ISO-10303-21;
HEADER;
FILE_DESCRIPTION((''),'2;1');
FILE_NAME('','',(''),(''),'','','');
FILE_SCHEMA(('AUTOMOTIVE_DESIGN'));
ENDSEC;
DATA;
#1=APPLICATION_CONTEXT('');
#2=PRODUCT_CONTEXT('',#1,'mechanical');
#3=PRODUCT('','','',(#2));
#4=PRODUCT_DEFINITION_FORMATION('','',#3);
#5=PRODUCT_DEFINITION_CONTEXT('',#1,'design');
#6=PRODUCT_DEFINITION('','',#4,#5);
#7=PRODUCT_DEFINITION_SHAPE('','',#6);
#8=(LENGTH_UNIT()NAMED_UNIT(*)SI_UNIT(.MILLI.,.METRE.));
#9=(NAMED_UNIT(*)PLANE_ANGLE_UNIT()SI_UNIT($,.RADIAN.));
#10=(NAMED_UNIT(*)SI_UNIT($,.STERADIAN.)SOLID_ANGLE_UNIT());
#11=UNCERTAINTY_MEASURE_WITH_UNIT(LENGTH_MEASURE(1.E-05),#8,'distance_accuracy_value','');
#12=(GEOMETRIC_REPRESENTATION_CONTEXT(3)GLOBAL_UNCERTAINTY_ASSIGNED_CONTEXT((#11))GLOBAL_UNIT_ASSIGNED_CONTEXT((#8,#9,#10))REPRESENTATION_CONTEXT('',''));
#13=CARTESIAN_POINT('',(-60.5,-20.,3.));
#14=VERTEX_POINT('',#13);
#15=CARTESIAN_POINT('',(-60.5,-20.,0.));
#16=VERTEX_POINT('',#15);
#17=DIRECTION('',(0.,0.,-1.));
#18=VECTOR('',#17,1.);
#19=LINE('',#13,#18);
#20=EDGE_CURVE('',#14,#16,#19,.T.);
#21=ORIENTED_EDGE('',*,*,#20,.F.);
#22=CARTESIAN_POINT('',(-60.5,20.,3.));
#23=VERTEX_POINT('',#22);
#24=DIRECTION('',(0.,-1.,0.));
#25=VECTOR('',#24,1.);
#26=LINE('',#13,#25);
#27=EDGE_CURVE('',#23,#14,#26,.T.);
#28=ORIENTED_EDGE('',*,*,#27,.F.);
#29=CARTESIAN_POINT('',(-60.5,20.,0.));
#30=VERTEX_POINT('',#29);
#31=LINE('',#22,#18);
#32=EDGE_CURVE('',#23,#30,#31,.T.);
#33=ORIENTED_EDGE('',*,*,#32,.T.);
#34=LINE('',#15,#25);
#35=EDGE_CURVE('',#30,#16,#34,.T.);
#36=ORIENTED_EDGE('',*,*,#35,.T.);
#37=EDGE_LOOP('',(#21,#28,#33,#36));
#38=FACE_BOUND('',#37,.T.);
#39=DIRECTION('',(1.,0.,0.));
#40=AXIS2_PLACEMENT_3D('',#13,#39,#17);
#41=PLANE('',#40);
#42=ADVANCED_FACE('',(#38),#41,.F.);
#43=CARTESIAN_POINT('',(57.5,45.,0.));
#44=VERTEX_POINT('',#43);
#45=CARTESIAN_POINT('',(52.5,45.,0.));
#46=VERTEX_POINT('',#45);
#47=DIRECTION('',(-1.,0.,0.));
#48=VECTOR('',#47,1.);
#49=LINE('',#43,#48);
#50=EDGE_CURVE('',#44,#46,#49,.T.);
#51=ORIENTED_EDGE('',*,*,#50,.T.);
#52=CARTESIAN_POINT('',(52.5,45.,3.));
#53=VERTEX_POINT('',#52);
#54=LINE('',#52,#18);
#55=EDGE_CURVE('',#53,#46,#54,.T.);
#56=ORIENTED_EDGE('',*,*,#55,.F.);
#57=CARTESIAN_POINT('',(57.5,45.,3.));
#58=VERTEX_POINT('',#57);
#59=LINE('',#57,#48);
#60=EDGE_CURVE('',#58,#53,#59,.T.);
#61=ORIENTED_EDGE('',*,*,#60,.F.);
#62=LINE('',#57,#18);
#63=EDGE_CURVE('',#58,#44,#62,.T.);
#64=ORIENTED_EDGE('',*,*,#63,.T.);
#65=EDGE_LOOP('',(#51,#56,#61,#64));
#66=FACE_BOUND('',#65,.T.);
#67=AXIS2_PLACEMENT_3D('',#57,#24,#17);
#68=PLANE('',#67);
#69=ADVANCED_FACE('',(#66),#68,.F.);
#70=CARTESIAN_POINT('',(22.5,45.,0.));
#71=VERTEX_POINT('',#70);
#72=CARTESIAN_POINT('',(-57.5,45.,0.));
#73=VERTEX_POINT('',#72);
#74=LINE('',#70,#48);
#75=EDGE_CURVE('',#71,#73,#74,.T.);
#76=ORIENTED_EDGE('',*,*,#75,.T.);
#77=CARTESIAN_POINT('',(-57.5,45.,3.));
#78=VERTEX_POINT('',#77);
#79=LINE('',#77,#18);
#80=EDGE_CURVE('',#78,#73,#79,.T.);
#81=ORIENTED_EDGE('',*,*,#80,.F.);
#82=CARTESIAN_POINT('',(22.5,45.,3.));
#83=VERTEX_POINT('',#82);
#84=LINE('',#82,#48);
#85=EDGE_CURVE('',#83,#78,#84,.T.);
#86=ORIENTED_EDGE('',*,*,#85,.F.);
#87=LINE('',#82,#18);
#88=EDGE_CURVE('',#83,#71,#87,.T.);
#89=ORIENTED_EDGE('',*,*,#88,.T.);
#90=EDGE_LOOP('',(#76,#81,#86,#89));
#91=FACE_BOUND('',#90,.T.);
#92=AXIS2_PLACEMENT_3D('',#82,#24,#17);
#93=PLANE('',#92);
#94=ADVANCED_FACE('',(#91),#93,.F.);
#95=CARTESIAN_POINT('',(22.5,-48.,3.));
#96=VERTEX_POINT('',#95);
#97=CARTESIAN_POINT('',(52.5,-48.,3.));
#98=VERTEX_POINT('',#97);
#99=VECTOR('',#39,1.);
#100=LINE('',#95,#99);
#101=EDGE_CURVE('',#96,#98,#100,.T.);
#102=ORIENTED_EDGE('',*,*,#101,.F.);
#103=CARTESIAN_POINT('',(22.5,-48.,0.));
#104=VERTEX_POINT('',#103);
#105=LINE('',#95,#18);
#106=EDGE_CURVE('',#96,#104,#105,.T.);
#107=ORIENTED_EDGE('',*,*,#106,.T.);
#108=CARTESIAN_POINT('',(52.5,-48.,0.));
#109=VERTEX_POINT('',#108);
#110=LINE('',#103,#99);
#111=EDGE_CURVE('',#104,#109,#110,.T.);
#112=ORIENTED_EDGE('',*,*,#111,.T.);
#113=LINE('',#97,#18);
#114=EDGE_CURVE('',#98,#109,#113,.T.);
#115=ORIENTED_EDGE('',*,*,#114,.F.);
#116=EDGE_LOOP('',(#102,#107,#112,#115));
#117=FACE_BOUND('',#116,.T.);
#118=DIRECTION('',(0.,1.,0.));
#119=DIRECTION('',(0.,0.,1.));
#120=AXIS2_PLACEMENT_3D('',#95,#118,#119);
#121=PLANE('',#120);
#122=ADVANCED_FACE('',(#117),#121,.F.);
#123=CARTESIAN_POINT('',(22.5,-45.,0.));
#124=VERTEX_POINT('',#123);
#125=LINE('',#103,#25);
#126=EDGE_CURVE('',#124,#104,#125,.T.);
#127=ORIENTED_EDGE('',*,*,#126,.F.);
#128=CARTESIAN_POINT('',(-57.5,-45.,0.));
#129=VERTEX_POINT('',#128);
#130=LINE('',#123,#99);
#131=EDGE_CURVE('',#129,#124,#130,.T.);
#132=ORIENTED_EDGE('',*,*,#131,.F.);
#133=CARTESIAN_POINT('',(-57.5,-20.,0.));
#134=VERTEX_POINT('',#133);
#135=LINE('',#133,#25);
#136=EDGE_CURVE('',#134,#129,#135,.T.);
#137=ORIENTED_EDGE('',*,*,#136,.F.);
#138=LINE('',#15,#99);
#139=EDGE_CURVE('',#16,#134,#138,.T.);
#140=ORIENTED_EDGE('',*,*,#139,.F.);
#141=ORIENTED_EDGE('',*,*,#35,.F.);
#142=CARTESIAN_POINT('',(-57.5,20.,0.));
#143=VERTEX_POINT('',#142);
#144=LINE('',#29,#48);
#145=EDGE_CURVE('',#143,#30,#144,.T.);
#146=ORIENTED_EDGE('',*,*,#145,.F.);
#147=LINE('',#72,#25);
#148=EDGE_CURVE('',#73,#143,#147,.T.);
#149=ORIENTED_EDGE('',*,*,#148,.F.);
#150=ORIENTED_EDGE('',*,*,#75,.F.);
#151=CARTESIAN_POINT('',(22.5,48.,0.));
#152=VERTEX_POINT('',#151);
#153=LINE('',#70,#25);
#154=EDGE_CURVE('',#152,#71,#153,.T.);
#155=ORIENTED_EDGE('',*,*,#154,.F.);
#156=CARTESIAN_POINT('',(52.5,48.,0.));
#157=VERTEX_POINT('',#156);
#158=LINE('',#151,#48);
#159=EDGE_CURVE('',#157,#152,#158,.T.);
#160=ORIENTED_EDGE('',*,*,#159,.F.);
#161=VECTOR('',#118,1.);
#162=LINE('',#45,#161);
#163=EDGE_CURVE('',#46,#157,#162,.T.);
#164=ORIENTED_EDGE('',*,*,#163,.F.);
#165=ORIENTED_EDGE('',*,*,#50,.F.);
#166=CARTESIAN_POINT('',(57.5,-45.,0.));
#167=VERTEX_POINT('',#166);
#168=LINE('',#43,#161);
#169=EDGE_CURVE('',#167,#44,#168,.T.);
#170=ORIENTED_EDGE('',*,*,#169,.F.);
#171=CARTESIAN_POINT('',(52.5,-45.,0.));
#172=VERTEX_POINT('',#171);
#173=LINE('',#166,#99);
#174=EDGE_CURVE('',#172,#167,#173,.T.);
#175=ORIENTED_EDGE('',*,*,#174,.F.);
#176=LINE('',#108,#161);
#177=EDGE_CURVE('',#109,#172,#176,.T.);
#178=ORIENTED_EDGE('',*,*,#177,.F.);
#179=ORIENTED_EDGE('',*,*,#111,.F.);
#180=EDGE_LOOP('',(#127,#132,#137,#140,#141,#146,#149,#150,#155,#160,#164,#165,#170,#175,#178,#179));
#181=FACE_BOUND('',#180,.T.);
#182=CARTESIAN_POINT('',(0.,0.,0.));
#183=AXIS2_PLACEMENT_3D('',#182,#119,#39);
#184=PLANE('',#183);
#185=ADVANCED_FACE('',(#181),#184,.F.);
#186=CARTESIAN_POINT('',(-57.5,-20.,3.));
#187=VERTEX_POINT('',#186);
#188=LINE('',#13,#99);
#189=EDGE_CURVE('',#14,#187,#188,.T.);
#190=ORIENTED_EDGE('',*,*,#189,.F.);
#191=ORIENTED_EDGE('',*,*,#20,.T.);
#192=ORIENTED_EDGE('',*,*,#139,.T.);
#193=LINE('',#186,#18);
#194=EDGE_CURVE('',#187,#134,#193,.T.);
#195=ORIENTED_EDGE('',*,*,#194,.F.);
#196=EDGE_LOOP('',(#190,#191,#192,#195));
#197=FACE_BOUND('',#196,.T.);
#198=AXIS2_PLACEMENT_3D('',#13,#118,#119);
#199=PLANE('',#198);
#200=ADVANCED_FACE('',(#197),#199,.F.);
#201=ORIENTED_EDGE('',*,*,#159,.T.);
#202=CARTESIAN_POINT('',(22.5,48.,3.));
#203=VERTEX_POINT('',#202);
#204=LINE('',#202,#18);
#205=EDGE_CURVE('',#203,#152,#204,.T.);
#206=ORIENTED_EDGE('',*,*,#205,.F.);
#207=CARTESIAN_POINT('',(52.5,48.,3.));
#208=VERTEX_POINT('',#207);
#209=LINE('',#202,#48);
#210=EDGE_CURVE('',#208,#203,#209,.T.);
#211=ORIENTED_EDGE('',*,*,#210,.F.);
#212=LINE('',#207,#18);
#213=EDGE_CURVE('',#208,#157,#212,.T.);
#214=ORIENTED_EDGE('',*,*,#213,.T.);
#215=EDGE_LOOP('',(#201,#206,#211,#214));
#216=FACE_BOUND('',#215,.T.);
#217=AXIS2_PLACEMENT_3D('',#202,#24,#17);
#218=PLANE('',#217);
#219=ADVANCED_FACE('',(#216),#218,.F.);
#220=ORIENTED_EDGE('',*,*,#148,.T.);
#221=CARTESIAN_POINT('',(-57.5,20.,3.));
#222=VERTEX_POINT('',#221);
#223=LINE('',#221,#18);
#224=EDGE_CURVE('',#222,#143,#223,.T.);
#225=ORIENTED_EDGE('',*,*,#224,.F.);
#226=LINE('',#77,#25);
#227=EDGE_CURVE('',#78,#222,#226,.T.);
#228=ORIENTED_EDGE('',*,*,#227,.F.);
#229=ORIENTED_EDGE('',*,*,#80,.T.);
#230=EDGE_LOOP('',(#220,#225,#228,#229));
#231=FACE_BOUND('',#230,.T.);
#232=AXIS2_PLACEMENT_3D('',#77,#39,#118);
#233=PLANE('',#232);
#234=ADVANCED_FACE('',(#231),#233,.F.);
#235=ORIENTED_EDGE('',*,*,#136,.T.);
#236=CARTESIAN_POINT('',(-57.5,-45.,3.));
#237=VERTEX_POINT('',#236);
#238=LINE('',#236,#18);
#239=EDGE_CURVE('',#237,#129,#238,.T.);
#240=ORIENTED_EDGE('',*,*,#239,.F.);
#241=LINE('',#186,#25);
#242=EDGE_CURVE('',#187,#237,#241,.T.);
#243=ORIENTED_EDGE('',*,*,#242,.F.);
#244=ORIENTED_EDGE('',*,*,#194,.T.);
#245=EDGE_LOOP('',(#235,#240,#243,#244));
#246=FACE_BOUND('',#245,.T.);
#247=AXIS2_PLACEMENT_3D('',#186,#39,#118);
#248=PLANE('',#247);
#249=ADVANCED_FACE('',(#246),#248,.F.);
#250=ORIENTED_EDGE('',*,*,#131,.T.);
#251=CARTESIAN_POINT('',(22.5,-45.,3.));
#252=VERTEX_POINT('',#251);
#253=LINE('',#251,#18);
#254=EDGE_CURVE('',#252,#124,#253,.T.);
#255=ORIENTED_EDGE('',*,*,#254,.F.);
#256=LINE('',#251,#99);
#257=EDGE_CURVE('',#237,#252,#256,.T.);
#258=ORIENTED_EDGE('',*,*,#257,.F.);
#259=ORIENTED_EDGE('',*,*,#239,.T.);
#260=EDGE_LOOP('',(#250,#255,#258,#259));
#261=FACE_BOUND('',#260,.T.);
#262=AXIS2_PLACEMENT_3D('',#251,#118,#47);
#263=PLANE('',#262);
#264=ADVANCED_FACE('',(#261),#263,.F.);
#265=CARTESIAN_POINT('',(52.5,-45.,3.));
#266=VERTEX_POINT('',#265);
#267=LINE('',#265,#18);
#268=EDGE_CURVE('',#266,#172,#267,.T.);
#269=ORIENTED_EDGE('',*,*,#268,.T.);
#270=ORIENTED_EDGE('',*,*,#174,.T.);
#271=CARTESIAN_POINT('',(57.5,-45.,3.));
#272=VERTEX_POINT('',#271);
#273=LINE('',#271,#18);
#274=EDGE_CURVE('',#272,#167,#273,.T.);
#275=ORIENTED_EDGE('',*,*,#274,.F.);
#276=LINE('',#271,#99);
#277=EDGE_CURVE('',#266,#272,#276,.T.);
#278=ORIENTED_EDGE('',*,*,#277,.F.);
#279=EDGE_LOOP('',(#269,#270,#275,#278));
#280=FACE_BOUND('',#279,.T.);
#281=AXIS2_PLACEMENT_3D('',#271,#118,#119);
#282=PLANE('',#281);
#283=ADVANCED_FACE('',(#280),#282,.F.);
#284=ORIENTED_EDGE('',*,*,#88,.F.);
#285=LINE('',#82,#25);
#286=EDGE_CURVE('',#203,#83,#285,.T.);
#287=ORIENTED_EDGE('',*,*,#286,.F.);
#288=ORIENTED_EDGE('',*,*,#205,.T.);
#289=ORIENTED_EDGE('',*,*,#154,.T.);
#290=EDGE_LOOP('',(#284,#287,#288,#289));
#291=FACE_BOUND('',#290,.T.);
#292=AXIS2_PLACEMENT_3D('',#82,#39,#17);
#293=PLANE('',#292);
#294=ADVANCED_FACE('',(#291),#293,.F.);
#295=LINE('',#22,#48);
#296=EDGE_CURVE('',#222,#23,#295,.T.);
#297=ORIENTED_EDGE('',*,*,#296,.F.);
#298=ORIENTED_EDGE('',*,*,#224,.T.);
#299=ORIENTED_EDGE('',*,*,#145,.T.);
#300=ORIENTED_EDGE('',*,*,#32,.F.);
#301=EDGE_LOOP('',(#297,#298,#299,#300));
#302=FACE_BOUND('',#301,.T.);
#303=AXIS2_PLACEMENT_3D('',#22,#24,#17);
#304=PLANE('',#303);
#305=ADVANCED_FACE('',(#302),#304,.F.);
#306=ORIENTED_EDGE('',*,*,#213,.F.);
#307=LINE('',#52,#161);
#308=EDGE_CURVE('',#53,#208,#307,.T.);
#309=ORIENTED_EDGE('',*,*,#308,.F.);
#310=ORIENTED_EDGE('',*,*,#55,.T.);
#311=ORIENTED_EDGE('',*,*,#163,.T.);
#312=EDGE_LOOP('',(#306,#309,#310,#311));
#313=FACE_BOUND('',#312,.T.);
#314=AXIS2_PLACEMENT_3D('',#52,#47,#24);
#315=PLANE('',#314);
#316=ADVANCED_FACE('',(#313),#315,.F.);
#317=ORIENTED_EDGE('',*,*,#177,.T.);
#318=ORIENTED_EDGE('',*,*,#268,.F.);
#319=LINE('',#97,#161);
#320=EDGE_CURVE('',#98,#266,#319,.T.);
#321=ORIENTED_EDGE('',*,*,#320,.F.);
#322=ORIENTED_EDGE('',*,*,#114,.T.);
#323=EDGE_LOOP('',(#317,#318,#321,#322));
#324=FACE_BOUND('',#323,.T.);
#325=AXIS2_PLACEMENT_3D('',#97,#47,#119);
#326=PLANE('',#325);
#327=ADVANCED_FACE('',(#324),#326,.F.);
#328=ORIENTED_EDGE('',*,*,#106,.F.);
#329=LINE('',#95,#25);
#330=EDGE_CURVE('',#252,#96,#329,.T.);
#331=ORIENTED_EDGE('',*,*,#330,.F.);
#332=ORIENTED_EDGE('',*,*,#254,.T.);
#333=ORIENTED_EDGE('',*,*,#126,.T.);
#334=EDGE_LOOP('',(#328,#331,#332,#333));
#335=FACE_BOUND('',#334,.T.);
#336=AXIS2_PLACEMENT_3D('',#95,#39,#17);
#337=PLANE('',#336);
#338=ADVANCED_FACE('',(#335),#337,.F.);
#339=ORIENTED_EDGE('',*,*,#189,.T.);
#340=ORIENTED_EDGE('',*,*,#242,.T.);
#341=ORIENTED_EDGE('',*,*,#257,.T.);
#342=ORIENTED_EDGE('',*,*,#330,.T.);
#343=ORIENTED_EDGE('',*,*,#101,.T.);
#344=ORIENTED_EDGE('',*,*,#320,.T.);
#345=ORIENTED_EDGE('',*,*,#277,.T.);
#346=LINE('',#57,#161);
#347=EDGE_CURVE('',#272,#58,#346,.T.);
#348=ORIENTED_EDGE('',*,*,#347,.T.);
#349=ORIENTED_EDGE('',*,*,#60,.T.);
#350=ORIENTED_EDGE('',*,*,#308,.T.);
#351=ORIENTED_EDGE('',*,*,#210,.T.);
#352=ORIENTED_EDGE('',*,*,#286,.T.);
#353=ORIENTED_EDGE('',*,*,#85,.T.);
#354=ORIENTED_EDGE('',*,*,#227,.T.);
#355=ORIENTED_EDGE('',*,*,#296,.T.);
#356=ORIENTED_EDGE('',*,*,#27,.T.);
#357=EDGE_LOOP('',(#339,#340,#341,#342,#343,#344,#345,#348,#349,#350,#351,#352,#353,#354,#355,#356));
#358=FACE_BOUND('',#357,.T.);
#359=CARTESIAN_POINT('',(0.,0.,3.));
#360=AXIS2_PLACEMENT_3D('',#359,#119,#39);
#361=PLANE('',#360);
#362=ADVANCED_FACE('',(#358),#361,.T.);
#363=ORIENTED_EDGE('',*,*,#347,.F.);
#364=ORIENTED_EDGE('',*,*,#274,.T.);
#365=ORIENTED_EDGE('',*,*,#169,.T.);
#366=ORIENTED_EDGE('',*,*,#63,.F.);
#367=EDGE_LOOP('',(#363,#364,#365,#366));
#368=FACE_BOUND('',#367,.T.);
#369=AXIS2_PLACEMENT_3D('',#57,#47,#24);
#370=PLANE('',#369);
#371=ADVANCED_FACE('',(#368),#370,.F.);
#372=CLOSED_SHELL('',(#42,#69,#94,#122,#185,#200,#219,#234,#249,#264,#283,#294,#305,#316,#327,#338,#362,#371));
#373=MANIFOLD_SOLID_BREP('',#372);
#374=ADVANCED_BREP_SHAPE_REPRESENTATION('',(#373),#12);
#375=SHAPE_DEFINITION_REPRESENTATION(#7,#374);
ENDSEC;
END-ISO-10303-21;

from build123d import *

# Parameters (mm, degrees)
BOSS_EXTRUDE1_DEPTH = 3


with BuildPart() as part:
    # Sketch1 → Boss-Extrude1 (new body)
    with BuildSketch(Plane.XY):
        Polygon((-57.5, -20), (-57.5, -45), (22.5, -45), (22.5, -48), (52.5, -48), (52.5, -45), (57.5, -45), (57.5, 45), (52.5, 45), (52.5, 48), (22.5, 48), (22.5, 45), (-57.5, 45), (-57.5, 20), (-60.5, 20), (-60.5, -20), align=None)
    extrude(amount=BOSS_EXTRUDE1_DEPTH)


solid = part.part
